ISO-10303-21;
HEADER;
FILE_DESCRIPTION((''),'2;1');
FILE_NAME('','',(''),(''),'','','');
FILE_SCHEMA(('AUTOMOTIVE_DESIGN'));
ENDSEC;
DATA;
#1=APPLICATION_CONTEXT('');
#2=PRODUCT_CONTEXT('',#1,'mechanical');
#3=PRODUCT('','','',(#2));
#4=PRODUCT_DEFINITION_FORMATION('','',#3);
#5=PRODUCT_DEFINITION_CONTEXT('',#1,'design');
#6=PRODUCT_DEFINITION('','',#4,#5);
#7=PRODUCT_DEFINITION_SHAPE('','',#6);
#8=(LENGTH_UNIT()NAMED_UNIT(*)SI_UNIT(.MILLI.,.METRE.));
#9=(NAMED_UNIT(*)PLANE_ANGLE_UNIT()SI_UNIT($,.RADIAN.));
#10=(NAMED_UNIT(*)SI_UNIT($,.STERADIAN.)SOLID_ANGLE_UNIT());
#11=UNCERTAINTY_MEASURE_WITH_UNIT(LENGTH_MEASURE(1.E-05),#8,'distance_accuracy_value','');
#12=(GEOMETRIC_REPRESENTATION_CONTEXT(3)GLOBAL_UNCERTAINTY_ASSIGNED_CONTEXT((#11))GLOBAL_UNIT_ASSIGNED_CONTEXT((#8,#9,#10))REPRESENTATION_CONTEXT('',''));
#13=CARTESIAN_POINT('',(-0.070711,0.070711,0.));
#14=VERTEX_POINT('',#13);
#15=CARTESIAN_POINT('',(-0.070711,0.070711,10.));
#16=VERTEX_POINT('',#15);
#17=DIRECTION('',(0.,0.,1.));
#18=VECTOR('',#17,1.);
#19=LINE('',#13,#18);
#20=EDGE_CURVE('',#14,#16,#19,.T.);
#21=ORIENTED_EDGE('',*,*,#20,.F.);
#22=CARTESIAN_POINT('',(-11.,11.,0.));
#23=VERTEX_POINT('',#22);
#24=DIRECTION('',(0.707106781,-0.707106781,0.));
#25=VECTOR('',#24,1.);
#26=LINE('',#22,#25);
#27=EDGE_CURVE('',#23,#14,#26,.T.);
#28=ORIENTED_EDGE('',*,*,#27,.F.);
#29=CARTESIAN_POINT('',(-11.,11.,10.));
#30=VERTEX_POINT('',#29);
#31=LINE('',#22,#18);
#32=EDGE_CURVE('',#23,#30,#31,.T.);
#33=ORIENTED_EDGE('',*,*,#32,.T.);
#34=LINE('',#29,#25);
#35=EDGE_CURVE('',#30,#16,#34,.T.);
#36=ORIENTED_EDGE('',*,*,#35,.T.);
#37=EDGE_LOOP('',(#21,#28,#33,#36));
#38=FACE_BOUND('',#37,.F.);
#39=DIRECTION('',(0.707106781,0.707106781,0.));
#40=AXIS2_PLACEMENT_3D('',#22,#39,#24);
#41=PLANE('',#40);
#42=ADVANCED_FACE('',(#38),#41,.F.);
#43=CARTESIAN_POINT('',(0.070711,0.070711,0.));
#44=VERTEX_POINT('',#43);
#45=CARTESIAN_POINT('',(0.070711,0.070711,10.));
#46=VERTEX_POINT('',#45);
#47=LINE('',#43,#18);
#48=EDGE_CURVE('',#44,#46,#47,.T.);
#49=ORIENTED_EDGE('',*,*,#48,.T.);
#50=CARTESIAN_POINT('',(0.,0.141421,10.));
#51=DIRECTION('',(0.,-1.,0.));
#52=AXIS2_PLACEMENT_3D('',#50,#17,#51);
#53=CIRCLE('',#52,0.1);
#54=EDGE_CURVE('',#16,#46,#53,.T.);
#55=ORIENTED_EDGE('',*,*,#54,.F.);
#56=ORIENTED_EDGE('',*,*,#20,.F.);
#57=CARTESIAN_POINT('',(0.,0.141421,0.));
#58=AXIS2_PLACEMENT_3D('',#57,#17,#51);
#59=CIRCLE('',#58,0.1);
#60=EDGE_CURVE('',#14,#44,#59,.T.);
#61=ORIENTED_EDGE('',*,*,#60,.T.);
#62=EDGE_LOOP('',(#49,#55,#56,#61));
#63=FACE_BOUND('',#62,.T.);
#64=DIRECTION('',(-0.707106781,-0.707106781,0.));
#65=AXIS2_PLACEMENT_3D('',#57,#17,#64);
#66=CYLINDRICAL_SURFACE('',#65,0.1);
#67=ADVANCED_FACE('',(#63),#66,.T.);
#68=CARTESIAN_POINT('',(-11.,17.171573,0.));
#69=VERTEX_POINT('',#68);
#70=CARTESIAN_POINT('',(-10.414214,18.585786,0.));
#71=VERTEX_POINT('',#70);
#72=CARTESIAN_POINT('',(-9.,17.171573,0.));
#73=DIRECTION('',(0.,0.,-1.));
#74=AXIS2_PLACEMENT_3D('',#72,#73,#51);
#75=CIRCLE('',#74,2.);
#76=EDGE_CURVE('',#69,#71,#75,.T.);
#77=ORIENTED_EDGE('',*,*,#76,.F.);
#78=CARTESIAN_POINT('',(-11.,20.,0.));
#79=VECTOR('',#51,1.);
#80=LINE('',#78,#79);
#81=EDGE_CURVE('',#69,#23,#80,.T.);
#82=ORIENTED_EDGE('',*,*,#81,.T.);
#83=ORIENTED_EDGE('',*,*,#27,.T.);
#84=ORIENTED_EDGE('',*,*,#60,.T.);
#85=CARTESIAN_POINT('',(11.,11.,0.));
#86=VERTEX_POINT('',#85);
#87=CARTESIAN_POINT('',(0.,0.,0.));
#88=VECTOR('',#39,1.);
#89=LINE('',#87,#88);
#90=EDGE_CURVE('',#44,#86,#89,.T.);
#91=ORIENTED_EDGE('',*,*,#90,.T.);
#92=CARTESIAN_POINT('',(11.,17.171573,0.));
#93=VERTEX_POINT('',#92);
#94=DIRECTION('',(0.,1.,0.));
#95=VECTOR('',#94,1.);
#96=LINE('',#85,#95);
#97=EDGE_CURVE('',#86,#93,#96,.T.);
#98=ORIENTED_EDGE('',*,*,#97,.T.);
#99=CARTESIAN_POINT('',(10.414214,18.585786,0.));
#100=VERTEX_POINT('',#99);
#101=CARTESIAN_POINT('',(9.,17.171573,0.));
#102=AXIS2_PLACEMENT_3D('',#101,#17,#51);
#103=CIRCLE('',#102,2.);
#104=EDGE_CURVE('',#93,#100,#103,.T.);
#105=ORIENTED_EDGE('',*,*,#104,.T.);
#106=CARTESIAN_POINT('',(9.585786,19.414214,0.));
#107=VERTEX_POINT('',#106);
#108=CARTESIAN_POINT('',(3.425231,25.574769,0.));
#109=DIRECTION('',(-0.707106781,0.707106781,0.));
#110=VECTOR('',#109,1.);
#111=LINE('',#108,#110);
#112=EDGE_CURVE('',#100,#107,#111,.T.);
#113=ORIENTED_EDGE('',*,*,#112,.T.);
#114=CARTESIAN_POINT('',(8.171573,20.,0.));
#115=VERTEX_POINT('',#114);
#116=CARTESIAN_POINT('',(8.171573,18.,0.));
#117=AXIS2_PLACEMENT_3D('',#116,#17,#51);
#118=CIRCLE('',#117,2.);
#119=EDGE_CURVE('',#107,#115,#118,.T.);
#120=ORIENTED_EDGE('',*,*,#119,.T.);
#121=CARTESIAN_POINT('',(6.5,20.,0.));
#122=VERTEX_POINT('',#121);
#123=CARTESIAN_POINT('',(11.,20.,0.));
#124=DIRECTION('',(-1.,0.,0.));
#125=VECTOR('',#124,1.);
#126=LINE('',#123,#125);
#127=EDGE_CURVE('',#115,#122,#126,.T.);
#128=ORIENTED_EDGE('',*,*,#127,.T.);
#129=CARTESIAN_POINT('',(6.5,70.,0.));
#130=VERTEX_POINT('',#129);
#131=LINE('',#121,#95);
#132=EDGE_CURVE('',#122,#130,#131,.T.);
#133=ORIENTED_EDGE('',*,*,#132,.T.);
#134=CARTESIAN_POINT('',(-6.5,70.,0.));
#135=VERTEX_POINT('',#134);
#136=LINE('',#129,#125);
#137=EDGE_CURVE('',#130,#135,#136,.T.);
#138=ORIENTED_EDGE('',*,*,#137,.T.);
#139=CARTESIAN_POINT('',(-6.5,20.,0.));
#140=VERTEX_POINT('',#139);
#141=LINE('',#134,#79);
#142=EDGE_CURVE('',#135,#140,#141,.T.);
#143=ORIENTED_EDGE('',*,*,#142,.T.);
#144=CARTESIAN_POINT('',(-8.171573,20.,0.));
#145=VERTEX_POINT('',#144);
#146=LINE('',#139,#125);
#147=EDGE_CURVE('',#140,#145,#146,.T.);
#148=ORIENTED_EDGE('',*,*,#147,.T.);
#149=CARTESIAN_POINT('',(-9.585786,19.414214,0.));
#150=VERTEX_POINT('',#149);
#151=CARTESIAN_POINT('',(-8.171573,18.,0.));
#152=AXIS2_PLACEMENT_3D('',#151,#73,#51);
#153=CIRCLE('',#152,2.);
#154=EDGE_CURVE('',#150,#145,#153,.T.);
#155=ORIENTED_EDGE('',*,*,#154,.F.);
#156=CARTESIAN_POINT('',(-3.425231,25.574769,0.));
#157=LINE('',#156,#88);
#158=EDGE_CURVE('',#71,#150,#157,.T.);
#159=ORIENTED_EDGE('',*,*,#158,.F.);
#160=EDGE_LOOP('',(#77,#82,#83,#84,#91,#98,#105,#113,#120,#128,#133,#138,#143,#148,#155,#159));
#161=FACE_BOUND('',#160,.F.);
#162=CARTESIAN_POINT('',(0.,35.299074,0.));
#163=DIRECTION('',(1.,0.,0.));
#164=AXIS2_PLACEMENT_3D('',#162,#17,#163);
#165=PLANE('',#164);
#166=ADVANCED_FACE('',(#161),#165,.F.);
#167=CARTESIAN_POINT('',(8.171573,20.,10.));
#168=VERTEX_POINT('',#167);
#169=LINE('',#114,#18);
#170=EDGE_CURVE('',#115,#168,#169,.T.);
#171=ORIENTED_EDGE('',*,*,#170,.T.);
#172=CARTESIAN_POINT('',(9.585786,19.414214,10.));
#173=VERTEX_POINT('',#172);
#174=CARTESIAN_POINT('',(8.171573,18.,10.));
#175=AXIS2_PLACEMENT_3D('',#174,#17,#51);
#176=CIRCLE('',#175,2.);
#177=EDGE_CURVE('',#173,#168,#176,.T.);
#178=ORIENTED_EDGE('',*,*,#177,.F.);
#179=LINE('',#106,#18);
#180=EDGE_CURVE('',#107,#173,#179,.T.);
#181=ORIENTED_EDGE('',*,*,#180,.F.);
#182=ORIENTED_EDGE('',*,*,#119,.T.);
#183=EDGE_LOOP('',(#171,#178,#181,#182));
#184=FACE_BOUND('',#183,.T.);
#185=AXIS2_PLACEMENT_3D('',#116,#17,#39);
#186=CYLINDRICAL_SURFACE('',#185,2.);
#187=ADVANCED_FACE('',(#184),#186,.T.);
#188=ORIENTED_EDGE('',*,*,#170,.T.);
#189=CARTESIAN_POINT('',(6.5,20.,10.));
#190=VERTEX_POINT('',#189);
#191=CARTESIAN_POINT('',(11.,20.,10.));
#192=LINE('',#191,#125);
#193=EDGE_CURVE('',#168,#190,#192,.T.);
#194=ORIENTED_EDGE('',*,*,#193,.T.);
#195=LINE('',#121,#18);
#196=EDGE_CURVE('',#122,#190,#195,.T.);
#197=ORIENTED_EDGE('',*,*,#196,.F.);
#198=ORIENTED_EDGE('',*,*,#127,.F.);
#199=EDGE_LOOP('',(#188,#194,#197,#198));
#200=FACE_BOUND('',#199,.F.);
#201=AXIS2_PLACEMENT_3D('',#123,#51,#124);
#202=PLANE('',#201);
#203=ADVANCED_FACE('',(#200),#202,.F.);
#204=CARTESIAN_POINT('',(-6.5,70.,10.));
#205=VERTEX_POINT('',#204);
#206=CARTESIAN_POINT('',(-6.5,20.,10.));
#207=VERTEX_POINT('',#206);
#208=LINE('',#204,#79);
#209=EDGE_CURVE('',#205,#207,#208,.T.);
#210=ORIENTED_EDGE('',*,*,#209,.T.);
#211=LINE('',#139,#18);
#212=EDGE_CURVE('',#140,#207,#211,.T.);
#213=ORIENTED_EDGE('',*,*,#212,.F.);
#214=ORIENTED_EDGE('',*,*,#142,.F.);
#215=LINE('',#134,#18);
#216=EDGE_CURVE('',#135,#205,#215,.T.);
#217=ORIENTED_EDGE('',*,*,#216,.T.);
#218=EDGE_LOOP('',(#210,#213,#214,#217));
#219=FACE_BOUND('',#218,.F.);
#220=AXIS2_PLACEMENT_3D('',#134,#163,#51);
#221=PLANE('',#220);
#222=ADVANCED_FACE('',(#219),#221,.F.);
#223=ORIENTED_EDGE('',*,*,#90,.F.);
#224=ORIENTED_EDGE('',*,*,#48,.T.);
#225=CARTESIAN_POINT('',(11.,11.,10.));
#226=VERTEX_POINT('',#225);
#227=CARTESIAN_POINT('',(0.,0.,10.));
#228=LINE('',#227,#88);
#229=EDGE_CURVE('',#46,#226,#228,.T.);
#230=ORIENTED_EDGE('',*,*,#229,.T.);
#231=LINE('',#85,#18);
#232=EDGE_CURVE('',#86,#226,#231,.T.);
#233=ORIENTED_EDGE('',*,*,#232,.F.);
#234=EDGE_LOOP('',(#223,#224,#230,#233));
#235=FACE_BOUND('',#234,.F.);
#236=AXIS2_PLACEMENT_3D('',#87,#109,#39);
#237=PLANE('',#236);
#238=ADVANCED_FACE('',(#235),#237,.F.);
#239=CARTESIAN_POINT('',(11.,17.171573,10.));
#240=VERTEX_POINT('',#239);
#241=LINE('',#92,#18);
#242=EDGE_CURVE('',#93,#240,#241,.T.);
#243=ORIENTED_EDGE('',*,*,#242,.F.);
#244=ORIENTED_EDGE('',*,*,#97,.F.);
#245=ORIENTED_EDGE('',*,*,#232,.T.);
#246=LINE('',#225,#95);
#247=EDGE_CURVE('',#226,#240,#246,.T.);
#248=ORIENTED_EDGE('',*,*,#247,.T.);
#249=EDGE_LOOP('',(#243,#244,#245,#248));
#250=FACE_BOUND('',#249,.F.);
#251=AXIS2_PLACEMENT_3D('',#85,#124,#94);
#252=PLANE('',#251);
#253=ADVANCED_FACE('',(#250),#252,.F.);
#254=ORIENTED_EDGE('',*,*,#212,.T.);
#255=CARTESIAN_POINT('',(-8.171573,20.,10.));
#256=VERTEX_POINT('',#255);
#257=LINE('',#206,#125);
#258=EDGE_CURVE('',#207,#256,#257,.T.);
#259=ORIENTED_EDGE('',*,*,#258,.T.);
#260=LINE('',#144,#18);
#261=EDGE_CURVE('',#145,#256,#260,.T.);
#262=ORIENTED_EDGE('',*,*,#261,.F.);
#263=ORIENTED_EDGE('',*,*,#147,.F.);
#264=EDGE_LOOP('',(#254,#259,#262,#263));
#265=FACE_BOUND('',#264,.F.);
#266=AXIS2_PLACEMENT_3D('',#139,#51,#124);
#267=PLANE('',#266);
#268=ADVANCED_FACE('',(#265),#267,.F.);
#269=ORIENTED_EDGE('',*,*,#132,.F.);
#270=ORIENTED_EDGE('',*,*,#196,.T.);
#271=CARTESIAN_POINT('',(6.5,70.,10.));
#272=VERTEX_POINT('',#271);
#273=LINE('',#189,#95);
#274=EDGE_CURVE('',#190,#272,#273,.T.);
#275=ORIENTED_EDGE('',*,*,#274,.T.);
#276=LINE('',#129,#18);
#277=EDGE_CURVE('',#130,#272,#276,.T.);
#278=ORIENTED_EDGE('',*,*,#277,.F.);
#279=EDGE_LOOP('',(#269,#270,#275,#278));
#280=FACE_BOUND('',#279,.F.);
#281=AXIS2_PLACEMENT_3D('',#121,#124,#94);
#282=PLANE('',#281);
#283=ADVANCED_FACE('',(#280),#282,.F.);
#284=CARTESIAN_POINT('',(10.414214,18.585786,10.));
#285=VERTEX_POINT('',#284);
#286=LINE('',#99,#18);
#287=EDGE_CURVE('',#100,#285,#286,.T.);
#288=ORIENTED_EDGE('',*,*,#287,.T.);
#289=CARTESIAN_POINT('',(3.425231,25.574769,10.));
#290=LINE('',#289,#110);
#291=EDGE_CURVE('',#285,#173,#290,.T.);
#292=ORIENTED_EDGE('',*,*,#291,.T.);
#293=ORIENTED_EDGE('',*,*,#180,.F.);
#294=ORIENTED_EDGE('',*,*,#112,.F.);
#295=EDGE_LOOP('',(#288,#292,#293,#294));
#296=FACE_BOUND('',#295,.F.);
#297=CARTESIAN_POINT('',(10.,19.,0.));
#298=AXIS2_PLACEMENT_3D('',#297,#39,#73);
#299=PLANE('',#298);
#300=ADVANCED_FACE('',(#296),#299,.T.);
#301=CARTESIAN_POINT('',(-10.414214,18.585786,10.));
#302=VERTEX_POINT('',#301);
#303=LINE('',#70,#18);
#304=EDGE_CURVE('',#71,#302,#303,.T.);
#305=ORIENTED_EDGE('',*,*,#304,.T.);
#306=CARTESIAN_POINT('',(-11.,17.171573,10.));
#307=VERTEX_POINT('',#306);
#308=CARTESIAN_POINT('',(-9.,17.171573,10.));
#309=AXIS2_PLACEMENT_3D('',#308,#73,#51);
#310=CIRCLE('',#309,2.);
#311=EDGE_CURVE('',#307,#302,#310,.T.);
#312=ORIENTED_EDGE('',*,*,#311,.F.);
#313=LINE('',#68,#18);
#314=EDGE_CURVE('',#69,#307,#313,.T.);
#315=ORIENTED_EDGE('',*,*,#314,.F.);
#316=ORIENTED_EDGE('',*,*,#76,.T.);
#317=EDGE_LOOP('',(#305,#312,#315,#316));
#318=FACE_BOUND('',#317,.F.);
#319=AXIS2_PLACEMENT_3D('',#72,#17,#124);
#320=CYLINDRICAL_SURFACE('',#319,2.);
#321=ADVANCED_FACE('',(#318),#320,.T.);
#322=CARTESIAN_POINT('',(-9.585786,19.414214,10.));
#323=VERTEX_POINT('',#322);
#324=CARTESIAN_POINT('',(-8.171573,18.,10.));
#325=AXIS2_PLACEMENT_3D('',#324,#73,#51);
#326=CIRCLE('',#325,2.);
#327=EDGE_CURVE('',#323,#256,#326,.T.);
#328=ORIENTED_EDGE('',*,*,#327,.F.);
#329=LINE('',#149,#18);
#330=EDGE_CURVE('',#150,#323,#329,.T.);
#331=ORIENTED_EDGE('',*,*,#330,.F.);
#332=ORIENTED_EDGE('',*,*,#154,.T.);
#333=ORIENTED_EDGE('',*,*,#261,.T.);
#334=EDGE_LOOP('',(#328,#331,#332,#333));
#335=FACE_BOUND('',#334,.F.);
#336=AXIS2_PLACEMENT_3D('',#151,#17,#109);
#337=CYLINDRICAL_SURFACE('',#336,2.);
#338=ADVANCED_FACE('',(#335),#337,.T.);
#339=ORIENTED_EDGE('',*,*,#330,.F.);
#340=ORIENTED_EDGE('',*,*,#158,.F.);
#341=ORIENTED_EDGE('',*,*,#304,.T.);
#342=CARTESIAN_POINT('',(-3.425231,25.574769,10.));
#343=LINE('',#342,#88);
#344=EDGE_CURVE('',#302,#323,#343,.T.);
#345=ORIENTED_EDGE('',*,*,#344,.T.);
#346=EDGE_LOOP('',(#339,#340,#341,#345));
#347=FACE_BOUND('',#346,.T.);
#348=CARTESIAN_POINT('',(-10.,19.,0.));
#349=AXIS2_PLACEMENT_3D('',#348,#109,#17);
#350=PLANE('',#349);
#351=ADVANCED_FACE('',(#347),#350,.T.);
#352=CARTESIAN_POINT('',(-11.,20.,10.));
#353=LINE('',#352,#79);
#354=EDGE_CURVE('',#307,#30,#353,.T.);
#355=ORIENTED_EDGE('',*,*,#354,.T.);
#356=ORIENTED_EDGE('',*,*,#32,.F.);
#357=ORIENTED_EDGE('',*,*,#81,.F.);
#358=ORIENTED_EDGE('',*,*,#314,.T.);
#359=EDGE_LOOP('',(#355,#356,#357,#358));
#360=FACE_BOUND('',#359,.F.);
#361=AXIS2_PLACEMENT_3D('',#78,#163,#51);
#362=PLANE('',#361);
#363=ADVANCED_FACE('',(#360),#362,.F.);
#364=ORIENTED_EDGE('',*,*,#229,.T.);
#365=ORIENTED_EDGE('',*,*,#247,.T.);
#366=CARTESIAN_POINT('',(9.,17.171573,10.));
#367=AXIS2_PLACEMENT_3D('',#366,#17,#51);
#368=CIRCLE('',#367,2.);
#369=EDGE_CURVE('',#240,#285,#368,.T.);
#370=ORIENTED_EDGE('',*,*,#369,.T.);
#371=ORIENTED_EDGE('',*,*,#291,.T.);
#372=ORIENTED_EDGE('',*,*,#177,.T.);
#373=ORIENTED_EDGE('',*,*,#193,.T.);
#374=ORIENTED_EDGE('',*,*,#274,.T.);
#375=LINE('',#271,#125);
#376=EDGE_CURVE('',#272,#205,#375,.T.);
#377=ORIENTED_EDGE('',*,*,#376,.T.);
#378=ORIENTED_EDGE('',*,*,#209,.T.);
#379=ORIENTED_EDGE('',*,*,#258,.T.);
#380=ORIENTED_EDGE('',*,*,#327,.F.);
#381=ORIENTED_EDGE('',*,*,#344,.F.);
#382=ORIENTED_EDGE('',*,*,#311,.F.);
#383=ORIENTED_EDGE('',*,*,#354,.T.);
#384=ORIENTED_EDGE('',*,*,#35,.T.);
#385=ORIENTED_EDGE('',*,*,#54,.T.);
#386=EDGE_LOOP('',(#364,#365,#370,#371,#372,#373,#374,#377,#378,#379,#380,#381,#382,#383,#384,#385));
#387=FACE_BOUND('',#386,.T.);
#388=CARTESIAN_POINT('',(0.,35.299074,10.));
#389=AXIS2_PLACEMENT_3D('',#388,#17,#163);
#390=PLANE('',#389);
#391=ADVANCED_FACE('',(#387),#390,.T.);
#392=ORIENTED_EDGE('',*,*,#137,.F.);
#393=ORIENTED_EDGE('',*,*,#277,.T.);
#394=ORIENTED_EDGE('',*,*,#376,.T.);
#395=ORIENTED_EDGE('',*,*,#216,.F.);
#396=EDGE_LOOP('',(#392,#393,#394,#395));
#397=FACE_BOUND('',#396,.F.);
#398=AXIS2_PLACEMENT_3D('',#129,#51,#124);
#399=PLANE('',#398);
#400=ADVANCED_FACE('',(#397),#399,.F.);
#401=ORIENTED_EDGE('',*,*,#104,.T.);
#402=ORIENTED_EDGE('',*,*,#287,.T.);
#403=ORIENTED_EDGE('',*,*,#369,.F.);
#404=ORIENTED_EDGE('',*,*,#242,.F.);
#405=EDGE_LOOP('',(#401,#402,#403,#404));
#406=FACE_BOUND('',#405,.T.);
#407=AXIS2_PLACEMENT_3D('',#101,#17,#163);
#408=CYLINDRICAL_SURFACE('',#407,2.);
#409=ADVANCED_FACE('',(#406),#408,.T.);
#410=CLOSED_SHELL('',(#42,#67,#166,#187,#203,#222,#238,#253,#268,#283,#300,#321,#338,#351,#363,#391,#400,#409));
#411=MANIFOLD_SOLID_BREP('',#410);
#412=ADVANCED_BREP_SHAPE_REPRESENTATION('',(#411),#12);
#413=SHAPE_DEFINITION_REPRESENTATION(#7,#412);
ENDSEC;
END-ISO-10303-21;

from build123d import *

# Parameters (mm, degrees)
F1_DEPTH = 10
F2_R     = 0.1
F3_SIZE  = 2
F4_R     = 2


with BuildPart() as f1:
    # F0 (on Top) → F1 (new body)
    with BuildSketch(Plane.XY):
        Polygon((6.5, 20), (6.5, 70), (0, 70), (-6.5, 70), (-6.5, 20), (-11, 20), (-11, 11), (0, 0), (11, 11), (11, 20), align=None)
    extrude(amount=F1_DEPTH)

    # F2
    f2_edges = [f1.edges().sort_by_distance(p)[0] for p in [
        (0, 0, 5),
    ]]
    fillet(f2_edges, radius=F2_R)

    # F3
    f3_edges = [f1.edges().sort_by_distance(p)[0] for p in [
        (-11, 20, 5),
        (11, 20, 5),
    ]]
    chamfer(f3_edges, length=F3_SIZE)

    # F4
    f4_edges = [f1.edges().sort_by_distance(p)[0] for p in [
        (9, 20, 5),
        (11, 18, 5),
        (-9, 20, 5),
        (-11, 18, 5),
    ]]
    fillet(f4_edges, radius=F4_R)


solid = f1.part
